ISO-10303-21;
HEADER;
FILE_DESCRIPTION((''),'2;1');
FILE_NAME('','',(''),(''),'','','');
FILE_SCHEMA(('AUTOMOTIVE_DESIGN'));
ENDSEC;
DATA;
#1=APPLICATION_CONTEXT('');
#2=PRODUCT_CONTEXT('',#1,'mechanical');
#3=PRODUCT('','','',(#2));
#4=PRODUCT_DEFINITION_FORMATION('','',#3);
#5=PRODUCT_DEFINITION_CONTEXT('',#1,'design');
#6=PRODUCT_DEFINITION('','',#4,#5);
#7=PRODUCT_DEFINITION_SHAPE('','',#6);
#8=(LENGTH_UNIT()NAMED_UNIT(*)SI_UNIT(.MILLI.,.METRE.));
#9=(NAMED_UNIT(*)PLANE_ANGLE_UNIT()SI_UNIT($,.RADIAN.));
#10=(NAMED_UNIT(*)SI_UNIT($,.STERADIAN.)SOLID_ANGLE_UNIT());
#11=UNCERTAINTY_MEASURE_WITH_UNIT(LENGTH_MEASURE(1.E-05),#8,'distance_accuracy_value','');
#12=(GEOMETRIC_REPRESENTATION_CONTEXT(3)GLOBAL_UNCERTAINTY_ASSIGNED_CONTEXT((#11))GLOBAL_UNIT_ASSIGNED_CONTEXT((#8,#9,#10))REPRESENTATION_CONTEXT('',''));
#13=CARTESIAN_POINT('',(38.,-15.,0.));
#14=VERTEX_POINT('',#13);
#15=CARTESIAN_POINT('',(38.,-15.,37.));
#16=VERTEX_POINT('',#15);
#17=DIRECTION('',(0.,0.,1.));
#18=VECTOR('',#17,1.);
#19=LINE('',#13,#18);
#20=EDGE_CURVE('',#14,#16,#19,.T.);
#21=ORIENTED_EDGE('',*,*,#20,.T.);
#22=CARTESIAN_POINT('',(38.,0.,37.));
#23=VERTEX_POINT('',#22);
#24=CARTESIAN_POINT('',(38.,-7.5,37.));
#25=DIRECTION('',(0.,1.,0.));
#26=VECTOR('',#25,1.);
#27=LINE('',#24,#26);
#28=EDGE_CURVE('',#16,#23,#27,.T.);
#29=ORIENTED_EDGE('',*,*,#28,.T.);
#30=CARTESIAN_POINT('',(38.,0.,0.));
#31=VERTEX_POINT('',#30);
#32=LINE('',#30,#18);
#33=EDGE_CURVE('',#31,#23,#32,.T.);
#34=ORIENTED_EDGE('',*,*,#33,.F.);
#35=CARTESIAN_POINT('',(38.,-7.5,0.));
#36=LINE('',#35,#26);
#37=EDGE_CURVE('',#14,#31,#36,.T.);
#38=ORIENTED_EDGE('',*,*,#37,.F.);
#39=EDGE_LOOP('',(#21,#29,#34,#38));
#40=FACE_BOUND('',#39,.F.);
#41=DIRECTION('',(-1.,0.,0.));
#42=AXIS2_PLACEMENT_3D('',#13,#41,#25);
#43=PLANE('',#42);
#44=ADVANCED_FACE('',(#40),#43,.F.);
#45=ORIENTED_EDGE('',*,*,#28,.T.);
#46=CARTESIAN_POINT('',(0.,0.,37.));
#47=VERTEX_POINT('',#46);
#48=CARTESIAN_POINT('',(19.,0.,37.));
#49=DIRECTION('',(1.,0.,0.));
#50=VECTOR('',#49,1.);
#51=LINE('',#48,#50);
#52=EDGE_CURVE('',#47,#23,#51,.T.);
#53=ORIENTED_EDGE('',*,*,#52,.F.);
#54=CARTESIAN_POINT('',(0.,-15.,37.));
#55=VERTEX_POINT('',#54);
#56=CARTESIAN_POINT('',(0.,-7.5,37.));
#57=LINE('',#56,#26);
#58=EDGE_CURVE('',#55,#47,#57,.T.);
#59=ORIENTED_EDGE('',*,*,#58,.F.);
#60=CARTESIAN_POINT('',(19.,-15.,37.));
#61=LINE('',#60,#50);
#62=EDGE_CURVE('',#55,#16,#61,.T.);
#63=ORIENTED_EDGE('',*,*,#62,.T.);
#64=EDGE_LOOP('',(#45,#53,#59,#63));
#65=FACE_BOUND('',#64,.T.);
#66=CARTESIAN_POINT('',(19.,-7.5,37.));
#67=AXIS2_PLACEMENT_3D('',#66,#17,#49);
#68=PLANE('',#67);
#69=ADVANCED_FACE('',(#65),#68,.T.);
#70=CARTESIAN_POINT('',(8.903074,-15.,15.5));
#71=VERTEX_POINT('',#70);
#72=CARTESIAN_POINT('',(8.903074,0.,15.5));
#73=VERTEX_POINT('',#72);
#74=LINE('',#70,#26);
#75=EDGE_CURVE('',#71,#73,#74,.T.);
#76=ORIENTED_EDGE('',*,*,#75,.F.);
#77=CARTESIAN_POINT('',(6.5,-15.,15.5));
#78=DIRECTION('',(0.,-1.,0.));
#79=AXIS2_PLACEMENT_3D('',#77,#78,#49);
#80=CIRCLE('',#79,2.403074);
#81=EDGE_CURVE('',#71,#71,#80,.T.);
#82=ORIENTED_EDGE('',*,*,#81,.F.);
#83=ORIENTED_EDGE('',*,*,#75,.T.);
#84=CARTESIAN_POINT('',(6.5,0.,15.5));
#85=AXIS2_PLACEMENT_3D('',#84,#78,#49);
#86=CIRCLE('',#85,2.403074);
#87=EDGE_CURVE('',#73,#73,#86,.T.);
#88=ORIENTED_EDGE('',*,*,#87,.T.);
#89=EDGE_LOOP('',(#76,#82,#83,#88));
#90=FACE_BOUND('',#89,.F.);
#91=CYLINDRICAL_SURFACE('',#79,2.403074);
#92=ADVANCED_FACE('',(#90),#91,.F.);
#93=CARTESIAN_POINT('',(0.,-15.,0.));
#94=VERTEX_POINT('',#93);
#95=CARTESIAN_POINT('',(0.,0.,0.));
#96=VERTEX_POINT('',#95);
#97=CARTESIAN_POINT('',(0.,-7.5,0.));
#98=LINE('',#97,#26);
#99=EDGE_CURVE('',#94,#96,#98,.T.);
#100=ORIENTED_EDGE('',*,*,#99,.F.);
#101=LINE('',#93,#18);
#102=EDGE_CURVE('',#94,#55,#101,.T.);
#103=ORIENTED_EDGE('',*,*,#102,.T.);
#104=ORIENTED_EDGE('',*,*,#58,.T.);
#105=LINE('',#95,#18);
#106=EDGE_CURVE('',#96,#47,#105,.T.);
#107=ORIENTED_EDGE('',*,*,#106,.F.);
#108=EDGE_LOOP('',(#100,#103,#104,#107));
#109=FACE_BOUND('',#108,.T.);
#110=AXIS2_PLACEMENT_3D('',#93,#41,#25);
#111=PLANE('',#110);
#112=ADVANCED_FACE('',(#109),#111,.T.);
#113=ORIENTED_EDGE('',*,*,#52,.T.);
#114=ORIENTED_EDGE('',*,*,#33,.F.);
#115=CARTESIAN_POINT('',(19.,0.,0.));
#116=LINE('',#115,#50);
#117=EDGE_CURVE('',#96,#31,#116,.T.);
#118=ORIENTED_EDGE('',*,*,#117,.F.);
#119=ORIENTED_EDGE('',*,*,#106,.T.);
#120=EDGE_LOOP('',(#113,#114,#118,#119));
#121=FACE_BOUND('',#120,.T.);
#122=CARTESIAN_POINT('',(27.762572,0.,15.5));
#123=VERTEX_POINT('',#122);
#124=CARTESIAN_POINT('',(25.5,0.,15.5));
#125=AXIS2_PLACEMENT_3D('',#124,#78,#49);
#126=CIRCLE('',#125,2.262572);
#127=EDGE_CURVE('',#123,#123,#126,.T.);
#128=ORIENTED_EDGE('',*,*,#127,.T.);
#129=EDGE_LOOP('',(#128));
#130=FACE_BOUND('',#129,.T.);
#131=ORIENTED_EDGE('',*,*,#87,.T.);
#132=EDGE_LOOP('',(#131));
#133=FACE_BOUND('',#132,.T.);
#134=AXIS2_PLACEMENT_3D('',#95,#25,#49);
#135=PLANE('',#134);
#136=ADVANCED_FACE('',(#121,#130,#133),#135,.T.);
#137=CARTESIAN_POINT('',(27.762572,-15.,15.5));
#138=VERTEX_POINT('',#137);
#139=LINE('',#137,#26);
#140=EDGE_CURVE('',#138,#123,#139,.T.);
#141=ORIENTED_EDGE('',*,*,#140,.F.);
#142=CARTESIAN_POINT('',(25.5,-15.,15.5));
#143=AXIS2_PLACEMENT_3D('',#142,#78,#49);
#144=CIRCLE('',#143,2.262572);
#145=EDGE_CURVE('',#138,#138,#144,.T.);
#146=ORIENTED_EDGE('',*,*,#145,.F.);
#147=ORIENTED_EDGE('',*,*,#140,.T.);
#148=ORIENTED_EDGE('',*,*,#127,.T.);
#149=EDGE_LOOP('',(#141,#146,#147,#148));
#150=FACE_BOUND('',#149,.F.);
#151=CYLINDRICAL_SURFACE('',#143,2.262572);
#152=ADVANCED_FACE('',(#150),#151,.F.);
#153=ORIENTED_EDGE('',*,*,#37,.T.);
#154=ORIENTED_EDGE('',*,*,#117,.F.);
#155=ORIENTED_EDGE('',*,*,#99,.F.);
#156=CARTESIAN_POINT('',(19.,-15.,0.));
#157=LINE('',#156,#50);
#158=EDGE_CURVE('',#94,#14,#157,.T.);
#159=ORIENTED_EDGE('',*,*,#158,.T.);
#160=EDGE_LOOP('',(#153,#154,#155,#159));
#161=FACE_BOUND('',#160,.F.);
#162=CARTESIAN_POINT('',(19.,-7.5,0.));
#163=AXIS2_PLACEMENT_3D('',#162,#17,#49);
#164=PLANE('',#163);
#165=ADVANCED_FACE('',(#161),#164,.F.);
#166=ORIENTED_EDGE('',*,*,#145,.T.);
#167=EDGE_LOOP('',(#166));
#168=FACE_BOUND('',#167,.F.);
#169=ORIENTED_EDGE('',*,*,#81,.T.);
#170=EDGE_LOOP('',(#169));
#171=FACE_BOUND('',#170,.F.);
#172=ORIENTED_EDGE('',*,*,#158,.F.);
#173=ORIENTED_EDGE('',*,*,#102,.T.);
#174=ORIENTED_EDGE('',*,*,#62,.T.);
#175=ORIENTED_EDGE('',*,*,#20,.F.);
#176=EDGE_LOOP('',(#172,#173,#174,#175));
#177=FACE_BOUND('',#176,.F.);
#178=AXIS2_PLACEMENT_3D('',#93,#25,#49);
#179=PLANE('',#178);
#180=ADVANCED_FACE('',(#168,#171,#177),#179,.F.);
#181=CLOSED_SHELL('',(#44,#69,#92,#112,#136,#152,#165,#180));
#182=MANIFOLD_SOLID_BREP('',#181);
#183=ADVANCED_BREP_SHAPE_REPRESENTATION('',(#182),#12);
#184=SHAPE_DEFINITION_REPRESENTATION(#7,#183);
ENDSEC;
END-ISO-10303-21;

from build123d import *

# Parameters (mm, degrees)
F0_W     = 38
F0_H     = 15
F1_DEPTH = 37
F2_R     = 2.403074
F2_R_2   = 2.262572
F3_DEPTH = 15.001


with BuildPart() as f1:
    # F0 (on Top) → F1 (new body)
    with BuildSketch(Plane.XY):
        with Locations((19, -7.5)):
            Rectangle(F0_W, F0_H)
    extrude(amount=F1_DEPTH)

    # F2 (on face) → F3 (cut, through all)
    with BuildSketch(Plane.XZ.offset(15)):
        with Locations((6.5, 15.5)):
            Circle(F2_R)
        with Locations((25.5, 15.5)):
            Circle(F2_R_2)
    extrude(amount=-F3_DEPTH, mode=Mode.SUBTRACT)


solid = f1.part
